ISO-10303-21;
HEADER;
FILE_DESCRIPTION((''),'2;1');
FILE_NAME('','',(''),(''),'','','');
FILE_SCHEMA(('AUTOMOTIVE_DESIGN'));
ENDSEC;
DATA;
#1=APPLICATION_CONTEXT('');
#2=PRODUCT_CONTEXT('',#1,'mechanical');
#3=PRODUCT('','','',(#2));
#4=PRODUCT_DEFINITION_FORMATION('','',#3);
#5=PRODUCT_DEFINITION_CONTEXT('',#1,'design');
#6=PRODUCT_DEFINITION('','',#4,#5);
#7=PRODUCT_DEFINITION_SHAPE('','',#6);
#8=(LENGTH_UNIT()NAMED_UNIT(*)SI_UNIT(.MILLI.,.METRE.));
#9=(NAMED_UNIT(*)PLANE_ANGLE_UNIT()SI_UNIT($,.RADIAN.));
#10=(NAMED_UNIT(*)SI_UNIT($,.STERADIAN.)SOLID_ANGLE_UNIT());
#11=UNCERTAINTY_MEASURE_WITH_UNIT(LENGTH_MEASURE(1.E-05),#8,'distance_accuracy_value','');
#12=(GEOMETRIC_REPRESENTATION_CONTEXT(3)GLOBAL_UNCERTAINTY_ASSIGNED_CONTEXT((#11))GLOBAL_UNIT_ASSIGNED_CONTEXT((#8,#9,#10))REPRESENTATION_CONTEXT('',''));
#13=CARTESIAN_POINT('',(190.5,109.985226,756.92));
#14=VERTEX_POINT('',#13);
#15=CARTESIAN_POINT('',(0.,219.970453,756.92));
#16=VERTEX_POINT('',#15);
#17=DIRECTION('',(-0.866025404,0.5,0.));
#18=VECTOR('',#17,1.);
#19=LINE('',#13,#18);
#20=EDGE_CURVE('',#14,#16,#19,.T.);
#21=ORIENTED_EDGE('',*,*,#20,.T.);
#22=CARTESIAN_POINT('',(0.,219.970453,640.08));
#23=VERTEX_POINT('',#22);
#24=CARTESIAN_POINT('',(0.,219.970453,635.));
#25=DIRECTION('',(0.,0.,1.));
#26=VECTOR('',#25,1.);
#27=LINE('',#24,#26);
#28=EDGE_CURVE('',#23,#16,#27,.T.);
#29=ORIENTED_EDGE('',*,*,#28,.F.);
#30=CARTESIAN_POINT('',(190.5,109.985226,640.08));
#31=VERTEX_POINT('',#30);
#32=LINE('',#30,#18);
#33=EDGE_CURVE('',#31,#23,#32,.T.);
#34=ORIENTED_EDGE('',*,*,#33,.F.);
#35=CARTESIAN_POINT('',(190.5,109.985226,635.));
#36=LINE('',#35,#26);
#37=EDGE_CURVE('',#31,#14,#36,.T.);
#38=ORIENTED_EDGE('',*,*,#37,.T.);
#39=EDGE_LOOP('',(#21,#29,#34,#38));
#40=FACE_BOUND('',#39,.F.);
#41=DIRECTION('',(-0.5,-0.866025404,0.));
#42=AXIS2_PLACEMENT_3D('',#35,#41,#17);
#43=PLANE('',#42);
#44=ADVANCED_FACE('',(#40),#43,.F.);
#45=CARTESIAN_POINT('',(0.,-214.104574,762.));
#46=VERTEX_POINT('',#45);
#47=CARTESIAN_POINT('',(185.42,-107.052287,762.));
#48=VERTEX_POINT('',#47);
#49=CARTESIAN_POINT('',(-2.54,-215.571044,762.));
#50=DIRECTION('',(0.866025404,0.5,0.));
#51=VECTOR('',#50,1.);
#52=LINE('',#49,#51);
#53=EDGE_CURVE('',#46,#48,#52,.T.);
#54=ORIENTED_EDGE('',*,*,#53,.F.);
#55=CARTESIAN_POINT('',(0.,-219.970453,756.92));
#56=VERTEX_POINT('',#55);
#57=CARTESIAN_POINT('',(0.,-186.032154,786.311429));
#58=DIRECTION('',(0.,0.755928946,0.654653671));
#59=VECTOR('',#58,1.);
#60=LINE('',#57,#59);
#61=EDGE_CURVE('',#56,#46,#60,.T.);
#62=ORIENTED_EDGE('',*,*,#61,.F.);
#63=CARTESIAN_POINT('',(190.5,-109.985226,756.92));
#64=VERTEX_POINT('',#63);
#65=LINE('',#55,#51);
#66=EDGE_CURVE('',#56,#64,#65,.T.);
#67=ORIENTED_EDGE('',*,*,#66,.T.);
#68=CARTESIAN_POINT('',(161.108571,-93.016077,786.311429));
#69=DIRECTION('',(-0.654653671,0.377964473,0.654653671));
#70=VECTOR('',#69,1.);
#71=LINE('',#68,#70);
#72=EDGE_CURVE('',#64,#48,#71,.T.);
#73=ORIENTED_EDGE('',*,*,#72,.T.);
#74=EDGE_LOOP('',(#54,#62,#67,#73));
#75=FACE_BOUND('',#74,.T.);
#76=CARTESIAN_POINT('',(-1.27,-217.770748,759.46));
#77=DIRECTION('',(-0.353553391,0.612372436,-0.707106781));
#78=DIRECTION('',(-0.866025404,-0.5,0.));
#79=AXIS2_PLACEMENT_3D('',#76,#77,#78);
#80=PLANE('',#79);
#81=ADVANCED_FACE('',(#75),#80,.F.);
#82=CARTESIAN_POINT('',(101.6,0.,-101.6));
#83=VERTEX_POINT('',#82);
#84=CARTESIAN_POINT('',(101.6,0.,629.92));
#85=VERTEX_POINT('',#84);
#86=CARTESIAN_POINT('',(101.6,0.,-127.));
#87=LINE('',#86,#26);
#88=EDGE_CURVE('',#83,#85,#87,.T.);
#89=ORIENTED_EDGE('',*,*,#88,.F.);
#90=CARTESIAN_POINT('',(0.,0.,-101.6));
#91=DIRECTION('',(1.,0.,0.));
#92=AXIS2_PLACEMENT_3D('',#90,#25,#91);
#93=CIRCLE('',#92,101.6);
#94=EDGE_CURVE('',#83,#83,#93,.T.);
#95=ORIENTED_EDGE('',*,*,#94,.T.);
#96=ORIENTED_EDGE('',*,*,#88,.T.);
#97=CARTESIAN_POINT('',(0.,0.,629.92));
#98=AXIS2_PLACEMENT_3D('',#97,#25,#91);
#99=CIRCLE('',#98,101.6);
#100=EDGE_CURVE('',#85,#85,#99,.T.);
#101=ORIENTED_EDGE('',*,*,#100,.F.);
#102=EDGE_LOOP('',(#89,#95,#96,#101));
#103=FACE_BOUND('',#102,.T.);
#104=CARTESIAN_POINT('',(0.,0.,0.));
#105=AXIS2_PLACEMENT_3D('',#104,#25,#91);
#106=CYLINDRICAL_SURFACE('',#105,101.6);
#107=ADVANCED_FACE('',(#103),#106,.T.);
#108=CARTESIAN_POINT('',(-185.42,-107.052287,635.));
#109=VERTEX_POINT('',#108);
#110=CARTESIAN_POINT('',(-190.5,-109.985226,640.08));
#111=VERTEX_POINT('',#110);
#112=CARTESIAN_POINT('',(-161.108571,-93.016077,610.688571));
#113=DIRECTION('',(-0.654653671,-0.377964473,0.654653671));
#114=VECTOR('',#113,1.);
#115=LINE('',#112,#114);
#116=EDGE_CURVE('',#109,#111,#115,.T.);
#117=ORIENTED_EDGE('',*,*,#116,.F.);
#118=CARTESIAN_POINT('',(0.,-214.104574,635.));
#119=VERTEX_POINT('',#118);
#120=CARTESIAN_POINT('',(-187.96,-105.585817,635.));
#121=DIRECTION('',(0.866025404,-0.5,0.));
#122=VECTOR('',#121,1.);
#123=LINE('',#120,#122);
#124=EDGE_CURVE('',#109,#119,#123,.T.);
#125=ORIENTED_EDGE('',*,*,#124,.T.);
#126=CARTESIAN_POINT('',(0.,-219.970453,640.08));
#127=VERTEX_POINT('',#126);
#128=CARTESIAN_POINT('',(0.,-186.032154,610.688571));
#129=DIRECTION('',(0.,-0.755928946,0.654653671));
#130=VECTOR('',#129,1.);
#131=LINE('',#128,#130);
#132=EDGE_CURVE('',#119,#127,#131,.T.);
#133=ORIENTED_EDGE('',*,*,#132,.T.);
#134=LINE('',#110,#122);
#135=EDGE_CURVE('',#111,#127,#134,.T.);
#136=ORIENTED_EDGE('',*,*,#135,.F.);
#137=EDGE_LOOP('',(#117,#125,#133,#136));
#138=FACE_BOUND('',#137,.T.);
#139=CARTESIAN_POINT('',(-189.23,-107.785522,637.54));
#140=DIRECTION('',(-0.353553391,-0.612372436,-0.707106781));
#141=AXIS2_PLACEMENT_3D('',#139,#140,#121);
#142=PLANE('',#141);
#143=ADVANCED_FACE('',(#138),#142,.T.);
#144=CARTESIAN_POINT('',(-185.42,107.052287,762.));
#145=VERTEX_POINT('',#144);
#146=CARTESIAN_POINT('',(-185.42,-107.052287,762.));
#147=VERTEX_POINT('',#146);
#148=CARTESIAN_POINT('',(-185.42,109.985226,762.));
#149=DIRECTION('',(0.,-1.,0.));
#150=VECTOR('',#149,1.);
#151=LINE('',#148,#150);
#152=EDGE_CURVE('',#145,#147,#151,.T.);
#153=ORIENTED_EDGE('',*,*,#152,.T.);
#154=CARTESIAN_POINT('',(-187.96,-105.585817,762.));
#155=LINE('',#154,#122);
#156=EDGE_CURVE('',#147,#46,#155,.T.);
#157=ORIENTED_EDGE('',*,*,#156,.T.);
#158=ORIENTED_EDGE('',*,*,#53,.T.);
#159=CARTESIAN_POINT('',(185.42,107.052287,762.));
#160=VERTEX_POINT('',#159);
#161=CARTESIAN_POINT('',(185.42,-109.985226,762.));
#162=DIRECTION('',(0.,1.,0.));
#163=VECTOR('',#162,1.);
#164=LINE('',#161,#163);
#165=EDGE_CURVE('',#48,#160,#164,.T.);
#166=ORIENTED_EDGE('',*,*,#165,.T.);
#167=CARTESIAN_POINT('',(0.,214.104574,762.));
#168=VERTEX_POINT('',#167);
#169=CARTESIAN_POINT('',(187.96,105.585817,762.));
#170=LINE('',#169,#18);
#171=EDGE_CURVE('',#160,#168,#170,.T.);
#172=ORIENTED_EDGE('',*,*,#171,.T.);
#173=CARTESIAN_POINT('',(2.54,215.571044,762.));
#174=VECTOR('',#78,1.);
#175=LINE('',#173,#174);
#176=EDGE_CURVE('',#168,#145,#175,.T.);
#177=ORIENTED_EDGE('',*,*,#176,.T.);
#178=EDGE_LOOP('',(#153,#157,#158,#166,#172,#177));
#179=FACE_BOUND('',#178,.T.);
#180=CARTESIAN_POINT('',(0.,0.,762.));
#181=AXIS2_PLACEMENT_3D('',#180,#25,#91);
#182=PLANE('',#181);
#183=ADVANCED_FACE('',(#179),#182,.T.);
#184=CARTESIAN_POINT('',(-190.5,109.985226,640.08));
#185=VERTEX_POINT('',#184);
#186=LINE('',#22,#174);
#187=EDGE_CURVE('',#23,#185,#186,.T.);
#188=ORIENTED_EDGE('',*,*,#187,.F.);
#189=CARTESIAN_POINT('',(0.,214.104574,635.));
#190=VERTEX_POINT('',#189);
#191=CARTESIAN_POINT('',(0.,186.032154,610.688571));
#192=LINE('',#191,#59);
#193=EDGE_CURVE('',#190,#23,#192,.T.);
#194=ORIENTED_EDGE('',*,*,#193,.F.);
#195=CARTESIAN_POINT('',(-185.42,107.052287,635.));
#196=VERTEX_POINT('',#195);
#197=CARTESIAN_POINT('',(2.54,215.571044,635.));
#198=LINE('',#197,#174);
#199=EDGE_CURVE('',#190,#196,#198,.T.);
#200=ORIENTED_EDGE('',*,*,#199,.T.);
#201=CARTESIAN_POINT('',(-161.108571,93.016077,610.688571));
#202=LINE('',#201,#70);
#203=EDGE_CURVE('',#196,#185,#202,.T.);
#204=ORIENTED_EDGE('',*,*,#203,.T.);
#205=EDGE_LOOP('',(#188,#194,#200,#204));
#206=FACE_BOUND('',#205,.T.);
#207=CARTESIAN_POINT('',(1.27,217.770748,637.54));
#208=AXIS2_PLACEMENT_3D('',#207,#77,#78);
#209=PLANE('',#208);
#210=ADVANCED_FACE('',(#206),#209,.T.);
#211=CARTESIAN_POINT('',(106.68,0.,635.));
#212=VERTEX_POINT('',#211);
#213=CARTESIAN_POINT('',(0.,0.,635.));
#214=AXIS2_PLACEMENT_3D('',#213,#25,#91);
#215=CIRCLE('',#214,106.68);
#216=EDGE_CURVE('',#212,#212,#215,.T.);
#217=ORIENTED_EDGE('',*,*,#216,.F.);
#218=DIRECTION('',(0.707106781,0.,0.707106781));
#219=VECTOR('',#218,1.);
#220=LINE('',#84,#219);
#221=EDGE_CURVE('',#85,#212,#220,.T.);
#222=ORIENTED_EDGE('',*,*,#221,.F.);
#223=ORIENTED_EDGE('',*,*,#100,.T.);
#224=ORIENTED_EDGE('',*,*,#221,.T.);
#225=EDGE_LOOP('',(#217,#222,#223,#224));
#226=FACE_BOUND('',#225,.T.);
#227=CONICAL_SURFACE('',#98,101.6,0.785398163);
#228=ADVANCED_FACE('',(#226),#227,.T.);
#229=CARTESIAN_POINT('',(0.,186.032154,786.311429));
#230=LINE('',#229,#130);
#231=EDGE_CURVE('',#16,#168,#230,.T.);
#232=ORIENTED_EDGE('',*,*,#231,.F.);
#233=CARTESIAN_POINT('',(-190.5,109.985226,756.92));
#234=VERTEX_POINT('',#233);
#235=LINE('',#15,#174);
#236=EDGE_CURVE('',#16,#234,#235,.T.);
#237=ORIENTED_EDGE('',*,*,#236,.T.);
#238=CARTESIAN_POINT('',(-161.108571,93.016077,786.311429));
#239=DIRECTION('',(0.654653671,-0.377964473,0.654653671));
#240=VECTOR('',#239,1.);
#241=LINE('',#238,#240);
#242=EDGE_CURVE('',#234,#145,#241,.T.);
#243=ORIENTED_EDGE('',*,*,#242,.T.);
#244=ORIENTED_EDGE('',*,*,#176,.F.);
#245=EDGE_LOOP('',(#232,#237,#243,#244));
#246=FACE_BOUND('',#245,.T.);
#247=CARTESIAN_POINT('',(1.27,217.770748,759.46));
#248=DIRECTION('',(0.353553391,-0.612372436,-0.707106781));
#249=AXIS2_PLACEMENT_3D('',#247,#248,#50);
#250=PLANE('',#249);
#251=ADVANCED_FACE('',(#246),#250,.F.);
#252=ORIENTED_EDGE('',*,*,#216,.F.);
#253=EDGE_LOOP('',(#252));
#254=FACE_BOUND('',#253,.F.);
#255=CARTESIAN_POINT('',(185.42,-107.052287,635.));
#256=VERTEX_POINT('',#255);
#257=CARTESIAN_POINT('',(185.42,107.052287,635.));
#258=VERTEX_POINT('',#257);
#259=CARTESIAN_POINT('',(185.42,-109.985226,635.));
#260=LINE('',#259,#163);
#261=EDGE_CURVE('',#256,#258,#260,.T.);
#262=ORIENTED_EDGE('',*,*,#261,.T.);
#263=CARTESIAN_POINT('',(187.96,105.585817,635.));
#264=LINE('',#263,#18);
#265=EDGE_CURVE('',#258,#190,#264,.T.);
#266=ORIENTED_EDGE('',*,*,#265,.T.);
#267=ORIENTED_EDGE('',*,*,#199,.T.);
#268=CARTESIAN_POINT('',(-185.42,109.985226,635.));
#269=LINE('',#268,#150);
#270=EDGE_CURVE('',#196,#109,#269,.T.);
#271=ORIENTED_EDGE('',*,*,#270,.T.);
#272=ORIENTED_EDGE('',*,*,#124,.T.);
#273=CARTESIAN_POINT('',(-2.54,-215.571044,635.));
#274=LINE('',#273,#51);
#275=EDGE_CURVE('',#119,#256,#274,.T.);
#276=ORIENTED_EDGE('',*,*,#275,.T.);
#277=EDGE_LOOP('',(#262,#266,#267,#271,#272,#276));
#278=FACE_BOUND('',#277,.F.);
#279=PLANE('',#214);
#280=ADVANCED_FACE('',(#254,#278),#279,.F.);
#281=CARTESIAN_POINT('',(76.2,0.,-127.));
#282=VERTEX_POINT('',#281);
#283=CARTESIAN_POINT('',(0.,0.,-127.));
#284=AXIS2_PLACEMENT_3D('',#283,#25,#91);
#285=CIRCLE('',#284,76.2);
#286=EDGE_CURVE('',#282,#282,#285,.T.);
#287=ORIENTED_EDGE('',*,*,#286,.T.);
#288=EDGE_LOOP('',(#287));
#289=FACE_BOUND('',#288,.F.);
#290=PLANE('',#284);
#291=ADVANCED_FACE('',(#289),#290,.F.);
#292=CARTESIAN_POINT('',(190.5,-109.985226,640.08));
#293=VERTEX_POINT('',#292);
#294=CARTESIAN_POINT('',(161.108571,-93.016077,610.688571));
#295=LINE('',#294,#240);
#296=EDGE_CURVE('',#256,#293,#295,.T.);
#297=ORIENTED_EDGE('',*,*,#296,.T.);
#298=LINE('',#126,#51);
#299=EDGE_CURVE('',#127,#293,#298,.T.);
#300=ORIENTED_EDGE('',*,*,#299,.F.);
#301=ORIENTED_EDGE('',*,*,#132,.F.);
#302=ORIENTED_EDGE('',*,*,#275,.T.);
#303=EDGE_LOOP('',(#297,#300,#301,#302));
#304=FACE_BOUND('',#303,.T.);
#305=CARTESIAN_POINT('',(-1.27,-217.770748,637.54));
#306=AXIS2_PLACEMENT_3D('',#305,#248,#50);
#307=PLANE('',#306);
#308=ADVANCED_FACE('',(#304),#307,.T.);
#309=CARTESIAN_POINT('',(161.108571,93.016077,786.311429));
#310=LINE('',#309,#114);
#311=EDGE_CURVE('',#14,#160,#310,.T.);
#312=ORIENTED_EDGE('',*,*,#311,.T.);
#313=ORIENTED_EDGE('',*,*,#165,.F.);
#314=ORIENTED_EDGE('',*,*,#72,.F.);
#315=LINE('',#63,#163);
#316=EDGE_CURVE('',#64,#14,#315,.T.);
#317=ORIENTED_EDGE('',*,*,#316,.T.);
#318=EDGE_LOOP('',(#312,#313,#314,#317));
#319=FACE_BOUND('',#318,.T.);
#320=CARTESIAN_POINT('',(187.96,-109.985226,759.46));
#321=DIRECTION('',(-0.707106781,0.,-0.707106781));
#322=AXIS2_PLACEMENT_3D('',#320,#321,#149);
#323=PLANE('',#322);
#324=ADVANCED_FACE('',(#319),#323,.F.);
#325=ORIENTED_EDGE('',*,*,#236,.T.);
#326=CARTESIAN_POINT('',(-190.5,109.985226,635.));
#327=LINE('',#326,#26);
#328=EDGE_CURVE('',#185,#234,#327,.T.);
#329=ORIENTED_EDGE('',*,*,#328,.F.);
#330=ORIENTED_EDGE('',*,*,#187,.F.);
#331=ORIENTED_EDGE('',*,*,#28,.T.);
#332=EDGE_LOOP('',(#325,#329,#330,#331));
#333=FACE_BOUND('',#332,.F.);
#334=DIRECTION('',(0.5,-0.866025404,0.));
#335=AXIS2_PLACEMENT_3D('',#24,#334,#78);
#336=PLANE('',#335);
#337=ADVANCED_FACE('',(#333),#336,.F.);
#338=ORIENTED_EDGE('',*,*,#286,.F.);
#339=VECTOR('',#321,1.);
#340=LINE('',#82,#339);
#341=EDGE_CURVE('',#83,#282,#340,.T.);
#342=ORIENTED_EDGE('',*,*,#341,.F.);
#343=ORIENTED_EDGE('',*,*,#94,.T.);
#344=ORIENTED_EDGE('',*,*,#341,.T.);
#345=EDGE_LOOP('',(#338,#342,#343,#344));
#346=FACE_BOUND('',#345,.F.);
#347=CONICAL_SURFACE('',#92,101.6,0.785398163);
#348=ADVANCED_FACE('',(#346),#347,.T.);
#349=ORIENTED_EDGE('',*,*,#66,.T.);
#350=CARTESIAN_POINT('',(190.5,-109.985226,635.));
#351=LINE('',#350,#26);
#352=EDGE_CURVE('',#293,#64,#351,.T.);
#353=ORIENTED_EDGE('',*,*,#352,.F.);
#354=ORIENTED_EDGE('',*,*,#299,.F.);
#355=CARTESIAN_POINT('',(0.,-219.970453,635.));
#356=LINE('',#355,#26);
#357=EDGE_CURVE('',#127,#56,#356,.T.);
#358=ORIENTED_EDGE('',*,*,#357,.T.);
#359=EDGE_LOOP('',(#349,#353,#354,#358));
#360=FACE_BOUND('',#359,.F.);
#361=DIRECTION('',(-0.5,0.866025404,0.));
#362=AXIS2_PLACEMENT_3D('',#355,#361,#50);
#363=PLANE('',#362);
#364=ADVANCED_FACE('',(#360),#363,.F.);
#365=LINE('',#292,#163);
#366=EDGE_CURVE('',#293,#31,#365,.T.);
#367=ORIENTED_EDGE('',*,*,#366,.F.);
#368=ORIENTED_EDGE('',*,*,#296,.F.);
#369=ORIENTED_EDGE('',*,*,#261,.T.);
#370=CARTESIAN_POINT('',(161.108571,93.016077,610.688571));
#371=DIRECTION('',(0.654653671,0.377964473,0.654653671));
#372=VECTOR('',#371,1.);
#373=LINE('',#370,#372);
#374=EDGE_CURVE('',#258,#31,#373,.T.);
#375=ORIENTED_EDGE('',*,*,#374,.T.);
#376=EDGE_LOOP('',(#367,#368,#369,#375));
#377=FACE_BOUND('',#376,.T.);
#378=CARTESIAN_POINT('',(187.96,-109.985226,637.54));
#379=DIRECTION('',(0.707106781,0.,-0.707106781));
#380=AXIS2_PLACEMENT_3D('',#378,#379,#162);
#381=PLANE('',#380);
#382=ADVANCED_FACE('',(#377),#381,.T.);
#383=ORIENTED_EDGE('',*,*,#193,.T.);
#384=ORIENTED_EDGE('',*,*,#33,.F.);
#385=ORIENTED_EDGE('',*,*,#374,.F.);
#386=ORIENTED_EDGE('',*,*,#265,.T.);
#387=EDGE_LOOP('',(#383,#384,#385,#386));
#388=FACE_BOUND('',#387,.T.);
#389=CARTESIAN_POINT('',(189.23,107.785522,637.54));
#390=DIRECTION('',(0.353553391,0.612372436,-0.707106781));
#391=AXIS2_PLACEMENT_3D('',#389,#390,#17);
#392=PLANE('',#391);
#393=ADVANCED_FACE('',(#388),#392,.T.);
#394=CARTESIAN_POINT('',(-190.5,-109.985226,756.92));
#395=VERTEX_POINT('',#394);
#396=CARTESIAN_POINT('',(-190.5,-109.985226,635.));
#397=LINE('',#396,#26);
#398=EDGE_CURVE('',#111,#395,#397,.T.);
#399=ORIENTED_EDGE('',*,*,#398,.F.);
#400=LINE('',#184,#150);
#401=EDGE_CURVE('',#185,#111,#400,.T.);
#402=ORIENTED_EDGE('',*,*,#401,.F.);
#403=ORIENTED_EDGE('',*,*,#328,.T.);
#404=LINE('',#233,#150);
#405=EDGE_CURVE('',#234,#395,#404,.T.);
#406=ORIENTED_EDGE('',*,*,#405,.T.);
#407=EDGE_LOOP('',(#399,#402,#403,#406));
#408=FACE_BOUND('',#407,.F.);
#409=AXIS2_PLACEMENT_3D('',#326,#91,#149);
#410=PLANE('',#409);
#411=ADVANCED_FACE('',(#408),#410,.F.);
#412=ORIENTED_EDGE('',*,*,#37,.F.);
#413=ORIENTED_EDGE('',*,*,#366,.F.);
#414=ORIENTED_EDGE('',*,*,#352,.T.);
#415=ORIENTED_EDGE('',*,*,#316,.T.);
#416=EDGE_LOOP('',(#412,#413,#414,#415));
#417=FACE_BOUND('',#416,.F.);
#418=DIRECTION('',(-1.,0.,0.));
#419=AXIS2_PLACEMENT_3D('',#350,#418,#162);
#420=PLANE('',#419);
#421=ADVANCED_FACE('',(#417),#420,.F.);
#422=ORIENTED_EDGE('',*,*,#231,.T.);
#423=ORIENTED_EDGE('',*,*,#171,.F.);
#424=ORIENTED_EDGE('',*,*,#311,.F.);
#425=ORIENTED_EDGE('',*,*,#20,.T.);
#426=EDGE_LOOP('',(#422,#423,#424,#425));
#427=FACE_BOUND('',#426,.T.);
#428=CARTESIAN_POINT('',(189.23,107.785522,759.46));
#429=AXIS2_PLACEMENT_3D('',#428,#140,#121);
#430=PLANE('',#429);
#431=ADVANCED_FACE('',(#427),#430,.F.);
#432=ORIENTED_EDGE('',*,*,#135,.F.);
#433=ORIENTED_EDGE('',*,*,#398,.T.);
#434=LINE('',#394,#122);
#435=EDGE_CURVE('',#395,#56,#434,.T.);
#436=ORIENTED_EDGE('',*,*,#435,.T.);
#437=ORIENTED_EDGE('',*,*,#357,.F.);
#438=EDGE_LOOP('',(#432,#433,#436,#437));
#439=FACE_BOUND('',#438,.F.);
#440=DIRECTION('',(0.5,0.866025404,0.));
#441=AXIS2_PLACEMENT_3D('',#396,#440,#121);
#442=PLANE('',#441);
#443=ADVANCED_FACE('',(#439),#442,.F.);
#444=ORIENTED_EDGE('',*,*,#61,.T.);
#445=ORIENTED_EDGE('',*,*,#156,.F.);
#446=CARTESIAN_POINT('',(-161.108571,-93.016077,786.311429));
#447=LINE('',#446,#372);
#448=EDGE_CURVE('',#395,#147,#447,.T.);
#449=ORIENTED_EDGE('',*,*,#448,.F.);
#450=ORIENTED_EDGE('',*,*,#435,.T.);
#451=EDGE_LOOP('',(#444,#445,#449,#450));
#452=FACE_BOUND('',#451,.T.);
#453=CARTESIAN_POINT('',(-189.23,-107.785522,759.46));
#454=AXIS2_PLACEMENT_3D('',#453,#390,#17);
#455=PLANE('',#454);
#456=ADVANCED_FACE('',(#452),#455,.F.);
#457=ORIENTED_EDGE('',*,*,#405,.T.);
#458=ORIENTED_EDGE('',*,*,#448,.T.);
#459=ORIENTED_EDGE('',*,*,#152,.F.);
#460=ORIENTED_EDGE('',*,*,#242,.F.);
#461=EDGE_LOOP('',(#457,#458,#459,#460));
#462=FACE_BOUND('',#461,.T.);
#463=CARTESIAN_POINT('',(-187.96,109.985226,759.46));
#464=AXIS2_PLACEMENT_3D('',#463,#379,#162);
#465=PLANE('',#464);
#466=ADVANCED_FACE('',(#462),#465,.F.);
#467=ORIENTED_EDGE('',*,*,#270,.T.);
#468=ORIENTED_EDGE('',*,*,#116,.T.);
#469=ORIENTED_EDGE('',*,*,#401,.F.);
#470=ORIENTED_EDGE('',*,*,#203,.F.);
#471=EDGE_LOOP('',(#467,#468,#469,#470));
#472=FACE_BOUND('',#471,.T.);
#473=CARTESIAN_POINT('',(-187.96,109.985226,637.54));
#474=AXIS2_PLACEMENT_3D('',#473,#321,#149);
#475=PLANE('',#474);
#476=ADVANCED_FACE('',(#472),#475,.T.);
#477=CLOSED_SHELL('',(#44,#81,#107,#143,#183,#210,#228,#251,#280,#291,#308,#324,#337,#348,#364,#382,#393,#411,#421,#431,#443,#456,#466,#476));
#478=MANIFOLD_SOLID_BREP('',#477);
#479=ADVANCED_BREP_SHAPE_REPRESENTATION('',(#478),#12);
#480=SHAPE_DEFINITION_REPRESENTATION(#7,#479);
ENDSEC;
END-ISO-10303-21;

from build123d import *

# Parameters (mm, degrees)
F0_R     = 101.6
F1_DEPTH = 635
F2_R     = 101.6
F3_DEPTH = 127
F4_DEPTH = 127
F5_SIZE  = 25.4
F6_SIZE  = 5.08


with BuildPart() as f1:
    # F0 (on Top) → F1 (new body)
    with BuildSketch(Plane.XY):
        Circle(F0_R)
    extrude(amount=F1_DEPTH)

    # F2 (on face) → F3 (join)
    with BuildSketch(Plane.XY.offset(635)):
        Polygon((-190.5, 109.9852262806), (-190.5, -109.9852262806), (0, -219.9704525612), (190.5, -109.9852262806), (190.5, 109.9852262806), (0, 219.9704525612), align=None)
        Circle(F2_R, mode=Mode.SUBTRACT)
        Circle(F2_R)
    extrude(amount=F3_DEPTH)

    # F4 (add): a face of the model
    f4_faces = [f1.faces().sort_by_distance(p)[0] for p in [
        (0, 0, 0),
    ]]
    extrude(f4_faces, amount=F4_DEPTH)

    # F5
    f5_edges = [f1.edges().sort_by_distance(p)[0] for p in [
        (-101.6, 0, -127),
    ]]
    chamfer(f5_edges, length=F5_SIZE)

    # F6
    f6_edges = [f1.edges().sort_by_distance(p)[0] for p in [
        (-190.5, 0, 762),
        (-95.25, -164.977839, 762),
        (95.25, -164.977839, 762),
        (190.5, 0, 762),
        (95.25, 164.977839, 762),
        (-95.25, 164.977839, 762),
        (-190.5, 0, 635),
        (-95.25, 164.977839, 635),
        (-95.25, -164.977839, 635),
        (95.25, 164.977839, 635),
        (95.25, -164.977839, 635),
        (190.5, 0, 635),
        (-101.6, 0, 635),
    ]]
    chamfer(f6_edges, length=F6_SIZE)


solid = f1.part
